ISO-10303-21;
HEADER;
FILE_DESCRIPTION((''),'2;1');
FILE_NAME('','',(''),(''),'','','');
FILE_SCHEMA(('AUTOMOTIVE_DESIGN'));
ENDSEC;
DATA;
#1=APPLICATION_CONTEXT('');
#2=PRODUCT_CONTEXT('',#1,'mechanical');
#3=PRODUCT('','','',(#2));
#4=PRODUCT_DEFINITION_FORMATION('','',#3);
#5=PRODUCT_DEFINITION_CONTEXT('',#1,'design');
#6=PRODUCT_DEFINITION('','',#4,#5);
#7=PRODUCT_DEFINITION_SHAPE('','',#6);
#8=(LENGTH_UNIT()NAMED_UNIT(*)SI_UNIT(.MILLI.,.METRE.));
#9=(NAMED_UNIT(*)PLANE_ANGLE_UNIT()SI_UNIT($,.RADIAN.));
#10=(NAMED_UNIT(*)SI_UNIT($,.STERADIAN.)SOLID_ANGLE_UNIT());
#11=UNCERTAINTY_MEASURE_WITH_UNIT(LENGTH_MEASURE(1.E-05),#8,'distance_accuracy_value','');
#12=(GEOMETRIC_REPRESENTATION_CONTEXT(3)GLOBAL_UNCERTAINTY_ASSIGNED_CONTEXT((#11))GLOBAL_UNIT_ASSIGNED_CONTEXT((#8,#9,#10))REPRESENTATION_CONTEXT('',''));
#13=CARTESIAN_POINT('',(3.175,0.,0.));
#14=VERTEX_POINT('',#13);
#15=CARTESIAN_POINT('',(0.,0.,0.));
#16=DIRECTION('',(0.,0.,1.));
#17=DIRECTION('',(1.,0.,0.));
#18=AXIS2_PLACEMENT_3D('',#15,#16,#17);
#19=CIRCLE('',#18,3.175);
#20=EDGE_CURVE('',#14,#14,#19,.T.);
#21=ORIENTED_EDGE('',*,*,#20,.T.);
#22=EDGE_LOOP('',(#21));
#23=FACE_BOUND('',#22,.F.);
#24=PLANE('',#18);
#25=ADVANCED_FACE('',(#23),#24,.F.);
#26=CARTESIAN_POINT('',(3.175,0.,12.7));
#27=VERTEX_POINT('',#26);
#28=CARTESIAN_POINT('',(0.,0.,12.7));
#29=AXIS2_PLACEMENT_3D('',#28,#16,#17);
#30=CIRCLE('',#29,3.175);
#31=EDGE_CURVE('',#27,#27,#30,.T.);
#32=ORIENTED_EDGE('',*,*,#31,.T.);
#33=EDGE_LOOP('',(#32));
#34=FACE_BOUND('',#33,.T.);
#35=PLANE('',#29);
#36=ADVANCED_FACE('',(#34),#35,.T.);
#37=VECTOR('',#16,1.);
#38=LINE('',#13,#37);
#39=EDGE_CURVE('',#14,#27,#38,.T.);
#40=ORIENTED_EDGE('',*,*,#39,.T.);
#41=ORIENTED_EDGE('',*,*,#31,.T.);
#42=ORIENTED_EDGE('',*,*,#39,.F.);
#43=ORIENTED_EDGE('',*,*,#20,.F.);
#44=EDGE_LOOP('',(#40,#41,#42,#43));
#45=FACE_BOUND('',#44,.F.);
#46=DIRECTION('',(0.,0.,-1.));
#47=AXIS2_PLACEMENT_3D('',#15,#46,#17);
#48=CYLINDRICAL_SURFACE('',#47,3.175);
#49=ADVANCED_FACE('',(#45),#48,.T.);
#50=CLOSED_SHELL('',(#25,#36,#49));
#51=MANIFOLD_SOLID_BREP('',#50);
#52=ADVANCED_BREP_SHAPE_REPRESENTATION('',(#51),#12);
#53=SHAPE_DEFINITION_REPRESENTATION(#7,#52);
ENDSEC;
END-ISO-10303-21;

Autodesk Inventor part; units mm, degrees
ref_plane "YZ Plane" through (0, 0, 0) normal (1, 0, 0) x (0, 1, 0)
ref_plane "XZ Plane" through (0, 0, 0) normal (0, 1, 0) x (-1, 0, 0)
ref_plane "XY Plane" through (0, 0, 0) normal (0, 0, 1) x (1, 0, 0)
sketch "Sketch1" plane through (0, 0, 0) normal (0, 0, 1) x (1, 0, 0)
  circle A0 centre (0, 0) radius 3.175
  dimension "d0" = 6.35
extrude "Extrusion1" add sketch "Sketch1" along normal blind 12.7
properties part number "POT"
